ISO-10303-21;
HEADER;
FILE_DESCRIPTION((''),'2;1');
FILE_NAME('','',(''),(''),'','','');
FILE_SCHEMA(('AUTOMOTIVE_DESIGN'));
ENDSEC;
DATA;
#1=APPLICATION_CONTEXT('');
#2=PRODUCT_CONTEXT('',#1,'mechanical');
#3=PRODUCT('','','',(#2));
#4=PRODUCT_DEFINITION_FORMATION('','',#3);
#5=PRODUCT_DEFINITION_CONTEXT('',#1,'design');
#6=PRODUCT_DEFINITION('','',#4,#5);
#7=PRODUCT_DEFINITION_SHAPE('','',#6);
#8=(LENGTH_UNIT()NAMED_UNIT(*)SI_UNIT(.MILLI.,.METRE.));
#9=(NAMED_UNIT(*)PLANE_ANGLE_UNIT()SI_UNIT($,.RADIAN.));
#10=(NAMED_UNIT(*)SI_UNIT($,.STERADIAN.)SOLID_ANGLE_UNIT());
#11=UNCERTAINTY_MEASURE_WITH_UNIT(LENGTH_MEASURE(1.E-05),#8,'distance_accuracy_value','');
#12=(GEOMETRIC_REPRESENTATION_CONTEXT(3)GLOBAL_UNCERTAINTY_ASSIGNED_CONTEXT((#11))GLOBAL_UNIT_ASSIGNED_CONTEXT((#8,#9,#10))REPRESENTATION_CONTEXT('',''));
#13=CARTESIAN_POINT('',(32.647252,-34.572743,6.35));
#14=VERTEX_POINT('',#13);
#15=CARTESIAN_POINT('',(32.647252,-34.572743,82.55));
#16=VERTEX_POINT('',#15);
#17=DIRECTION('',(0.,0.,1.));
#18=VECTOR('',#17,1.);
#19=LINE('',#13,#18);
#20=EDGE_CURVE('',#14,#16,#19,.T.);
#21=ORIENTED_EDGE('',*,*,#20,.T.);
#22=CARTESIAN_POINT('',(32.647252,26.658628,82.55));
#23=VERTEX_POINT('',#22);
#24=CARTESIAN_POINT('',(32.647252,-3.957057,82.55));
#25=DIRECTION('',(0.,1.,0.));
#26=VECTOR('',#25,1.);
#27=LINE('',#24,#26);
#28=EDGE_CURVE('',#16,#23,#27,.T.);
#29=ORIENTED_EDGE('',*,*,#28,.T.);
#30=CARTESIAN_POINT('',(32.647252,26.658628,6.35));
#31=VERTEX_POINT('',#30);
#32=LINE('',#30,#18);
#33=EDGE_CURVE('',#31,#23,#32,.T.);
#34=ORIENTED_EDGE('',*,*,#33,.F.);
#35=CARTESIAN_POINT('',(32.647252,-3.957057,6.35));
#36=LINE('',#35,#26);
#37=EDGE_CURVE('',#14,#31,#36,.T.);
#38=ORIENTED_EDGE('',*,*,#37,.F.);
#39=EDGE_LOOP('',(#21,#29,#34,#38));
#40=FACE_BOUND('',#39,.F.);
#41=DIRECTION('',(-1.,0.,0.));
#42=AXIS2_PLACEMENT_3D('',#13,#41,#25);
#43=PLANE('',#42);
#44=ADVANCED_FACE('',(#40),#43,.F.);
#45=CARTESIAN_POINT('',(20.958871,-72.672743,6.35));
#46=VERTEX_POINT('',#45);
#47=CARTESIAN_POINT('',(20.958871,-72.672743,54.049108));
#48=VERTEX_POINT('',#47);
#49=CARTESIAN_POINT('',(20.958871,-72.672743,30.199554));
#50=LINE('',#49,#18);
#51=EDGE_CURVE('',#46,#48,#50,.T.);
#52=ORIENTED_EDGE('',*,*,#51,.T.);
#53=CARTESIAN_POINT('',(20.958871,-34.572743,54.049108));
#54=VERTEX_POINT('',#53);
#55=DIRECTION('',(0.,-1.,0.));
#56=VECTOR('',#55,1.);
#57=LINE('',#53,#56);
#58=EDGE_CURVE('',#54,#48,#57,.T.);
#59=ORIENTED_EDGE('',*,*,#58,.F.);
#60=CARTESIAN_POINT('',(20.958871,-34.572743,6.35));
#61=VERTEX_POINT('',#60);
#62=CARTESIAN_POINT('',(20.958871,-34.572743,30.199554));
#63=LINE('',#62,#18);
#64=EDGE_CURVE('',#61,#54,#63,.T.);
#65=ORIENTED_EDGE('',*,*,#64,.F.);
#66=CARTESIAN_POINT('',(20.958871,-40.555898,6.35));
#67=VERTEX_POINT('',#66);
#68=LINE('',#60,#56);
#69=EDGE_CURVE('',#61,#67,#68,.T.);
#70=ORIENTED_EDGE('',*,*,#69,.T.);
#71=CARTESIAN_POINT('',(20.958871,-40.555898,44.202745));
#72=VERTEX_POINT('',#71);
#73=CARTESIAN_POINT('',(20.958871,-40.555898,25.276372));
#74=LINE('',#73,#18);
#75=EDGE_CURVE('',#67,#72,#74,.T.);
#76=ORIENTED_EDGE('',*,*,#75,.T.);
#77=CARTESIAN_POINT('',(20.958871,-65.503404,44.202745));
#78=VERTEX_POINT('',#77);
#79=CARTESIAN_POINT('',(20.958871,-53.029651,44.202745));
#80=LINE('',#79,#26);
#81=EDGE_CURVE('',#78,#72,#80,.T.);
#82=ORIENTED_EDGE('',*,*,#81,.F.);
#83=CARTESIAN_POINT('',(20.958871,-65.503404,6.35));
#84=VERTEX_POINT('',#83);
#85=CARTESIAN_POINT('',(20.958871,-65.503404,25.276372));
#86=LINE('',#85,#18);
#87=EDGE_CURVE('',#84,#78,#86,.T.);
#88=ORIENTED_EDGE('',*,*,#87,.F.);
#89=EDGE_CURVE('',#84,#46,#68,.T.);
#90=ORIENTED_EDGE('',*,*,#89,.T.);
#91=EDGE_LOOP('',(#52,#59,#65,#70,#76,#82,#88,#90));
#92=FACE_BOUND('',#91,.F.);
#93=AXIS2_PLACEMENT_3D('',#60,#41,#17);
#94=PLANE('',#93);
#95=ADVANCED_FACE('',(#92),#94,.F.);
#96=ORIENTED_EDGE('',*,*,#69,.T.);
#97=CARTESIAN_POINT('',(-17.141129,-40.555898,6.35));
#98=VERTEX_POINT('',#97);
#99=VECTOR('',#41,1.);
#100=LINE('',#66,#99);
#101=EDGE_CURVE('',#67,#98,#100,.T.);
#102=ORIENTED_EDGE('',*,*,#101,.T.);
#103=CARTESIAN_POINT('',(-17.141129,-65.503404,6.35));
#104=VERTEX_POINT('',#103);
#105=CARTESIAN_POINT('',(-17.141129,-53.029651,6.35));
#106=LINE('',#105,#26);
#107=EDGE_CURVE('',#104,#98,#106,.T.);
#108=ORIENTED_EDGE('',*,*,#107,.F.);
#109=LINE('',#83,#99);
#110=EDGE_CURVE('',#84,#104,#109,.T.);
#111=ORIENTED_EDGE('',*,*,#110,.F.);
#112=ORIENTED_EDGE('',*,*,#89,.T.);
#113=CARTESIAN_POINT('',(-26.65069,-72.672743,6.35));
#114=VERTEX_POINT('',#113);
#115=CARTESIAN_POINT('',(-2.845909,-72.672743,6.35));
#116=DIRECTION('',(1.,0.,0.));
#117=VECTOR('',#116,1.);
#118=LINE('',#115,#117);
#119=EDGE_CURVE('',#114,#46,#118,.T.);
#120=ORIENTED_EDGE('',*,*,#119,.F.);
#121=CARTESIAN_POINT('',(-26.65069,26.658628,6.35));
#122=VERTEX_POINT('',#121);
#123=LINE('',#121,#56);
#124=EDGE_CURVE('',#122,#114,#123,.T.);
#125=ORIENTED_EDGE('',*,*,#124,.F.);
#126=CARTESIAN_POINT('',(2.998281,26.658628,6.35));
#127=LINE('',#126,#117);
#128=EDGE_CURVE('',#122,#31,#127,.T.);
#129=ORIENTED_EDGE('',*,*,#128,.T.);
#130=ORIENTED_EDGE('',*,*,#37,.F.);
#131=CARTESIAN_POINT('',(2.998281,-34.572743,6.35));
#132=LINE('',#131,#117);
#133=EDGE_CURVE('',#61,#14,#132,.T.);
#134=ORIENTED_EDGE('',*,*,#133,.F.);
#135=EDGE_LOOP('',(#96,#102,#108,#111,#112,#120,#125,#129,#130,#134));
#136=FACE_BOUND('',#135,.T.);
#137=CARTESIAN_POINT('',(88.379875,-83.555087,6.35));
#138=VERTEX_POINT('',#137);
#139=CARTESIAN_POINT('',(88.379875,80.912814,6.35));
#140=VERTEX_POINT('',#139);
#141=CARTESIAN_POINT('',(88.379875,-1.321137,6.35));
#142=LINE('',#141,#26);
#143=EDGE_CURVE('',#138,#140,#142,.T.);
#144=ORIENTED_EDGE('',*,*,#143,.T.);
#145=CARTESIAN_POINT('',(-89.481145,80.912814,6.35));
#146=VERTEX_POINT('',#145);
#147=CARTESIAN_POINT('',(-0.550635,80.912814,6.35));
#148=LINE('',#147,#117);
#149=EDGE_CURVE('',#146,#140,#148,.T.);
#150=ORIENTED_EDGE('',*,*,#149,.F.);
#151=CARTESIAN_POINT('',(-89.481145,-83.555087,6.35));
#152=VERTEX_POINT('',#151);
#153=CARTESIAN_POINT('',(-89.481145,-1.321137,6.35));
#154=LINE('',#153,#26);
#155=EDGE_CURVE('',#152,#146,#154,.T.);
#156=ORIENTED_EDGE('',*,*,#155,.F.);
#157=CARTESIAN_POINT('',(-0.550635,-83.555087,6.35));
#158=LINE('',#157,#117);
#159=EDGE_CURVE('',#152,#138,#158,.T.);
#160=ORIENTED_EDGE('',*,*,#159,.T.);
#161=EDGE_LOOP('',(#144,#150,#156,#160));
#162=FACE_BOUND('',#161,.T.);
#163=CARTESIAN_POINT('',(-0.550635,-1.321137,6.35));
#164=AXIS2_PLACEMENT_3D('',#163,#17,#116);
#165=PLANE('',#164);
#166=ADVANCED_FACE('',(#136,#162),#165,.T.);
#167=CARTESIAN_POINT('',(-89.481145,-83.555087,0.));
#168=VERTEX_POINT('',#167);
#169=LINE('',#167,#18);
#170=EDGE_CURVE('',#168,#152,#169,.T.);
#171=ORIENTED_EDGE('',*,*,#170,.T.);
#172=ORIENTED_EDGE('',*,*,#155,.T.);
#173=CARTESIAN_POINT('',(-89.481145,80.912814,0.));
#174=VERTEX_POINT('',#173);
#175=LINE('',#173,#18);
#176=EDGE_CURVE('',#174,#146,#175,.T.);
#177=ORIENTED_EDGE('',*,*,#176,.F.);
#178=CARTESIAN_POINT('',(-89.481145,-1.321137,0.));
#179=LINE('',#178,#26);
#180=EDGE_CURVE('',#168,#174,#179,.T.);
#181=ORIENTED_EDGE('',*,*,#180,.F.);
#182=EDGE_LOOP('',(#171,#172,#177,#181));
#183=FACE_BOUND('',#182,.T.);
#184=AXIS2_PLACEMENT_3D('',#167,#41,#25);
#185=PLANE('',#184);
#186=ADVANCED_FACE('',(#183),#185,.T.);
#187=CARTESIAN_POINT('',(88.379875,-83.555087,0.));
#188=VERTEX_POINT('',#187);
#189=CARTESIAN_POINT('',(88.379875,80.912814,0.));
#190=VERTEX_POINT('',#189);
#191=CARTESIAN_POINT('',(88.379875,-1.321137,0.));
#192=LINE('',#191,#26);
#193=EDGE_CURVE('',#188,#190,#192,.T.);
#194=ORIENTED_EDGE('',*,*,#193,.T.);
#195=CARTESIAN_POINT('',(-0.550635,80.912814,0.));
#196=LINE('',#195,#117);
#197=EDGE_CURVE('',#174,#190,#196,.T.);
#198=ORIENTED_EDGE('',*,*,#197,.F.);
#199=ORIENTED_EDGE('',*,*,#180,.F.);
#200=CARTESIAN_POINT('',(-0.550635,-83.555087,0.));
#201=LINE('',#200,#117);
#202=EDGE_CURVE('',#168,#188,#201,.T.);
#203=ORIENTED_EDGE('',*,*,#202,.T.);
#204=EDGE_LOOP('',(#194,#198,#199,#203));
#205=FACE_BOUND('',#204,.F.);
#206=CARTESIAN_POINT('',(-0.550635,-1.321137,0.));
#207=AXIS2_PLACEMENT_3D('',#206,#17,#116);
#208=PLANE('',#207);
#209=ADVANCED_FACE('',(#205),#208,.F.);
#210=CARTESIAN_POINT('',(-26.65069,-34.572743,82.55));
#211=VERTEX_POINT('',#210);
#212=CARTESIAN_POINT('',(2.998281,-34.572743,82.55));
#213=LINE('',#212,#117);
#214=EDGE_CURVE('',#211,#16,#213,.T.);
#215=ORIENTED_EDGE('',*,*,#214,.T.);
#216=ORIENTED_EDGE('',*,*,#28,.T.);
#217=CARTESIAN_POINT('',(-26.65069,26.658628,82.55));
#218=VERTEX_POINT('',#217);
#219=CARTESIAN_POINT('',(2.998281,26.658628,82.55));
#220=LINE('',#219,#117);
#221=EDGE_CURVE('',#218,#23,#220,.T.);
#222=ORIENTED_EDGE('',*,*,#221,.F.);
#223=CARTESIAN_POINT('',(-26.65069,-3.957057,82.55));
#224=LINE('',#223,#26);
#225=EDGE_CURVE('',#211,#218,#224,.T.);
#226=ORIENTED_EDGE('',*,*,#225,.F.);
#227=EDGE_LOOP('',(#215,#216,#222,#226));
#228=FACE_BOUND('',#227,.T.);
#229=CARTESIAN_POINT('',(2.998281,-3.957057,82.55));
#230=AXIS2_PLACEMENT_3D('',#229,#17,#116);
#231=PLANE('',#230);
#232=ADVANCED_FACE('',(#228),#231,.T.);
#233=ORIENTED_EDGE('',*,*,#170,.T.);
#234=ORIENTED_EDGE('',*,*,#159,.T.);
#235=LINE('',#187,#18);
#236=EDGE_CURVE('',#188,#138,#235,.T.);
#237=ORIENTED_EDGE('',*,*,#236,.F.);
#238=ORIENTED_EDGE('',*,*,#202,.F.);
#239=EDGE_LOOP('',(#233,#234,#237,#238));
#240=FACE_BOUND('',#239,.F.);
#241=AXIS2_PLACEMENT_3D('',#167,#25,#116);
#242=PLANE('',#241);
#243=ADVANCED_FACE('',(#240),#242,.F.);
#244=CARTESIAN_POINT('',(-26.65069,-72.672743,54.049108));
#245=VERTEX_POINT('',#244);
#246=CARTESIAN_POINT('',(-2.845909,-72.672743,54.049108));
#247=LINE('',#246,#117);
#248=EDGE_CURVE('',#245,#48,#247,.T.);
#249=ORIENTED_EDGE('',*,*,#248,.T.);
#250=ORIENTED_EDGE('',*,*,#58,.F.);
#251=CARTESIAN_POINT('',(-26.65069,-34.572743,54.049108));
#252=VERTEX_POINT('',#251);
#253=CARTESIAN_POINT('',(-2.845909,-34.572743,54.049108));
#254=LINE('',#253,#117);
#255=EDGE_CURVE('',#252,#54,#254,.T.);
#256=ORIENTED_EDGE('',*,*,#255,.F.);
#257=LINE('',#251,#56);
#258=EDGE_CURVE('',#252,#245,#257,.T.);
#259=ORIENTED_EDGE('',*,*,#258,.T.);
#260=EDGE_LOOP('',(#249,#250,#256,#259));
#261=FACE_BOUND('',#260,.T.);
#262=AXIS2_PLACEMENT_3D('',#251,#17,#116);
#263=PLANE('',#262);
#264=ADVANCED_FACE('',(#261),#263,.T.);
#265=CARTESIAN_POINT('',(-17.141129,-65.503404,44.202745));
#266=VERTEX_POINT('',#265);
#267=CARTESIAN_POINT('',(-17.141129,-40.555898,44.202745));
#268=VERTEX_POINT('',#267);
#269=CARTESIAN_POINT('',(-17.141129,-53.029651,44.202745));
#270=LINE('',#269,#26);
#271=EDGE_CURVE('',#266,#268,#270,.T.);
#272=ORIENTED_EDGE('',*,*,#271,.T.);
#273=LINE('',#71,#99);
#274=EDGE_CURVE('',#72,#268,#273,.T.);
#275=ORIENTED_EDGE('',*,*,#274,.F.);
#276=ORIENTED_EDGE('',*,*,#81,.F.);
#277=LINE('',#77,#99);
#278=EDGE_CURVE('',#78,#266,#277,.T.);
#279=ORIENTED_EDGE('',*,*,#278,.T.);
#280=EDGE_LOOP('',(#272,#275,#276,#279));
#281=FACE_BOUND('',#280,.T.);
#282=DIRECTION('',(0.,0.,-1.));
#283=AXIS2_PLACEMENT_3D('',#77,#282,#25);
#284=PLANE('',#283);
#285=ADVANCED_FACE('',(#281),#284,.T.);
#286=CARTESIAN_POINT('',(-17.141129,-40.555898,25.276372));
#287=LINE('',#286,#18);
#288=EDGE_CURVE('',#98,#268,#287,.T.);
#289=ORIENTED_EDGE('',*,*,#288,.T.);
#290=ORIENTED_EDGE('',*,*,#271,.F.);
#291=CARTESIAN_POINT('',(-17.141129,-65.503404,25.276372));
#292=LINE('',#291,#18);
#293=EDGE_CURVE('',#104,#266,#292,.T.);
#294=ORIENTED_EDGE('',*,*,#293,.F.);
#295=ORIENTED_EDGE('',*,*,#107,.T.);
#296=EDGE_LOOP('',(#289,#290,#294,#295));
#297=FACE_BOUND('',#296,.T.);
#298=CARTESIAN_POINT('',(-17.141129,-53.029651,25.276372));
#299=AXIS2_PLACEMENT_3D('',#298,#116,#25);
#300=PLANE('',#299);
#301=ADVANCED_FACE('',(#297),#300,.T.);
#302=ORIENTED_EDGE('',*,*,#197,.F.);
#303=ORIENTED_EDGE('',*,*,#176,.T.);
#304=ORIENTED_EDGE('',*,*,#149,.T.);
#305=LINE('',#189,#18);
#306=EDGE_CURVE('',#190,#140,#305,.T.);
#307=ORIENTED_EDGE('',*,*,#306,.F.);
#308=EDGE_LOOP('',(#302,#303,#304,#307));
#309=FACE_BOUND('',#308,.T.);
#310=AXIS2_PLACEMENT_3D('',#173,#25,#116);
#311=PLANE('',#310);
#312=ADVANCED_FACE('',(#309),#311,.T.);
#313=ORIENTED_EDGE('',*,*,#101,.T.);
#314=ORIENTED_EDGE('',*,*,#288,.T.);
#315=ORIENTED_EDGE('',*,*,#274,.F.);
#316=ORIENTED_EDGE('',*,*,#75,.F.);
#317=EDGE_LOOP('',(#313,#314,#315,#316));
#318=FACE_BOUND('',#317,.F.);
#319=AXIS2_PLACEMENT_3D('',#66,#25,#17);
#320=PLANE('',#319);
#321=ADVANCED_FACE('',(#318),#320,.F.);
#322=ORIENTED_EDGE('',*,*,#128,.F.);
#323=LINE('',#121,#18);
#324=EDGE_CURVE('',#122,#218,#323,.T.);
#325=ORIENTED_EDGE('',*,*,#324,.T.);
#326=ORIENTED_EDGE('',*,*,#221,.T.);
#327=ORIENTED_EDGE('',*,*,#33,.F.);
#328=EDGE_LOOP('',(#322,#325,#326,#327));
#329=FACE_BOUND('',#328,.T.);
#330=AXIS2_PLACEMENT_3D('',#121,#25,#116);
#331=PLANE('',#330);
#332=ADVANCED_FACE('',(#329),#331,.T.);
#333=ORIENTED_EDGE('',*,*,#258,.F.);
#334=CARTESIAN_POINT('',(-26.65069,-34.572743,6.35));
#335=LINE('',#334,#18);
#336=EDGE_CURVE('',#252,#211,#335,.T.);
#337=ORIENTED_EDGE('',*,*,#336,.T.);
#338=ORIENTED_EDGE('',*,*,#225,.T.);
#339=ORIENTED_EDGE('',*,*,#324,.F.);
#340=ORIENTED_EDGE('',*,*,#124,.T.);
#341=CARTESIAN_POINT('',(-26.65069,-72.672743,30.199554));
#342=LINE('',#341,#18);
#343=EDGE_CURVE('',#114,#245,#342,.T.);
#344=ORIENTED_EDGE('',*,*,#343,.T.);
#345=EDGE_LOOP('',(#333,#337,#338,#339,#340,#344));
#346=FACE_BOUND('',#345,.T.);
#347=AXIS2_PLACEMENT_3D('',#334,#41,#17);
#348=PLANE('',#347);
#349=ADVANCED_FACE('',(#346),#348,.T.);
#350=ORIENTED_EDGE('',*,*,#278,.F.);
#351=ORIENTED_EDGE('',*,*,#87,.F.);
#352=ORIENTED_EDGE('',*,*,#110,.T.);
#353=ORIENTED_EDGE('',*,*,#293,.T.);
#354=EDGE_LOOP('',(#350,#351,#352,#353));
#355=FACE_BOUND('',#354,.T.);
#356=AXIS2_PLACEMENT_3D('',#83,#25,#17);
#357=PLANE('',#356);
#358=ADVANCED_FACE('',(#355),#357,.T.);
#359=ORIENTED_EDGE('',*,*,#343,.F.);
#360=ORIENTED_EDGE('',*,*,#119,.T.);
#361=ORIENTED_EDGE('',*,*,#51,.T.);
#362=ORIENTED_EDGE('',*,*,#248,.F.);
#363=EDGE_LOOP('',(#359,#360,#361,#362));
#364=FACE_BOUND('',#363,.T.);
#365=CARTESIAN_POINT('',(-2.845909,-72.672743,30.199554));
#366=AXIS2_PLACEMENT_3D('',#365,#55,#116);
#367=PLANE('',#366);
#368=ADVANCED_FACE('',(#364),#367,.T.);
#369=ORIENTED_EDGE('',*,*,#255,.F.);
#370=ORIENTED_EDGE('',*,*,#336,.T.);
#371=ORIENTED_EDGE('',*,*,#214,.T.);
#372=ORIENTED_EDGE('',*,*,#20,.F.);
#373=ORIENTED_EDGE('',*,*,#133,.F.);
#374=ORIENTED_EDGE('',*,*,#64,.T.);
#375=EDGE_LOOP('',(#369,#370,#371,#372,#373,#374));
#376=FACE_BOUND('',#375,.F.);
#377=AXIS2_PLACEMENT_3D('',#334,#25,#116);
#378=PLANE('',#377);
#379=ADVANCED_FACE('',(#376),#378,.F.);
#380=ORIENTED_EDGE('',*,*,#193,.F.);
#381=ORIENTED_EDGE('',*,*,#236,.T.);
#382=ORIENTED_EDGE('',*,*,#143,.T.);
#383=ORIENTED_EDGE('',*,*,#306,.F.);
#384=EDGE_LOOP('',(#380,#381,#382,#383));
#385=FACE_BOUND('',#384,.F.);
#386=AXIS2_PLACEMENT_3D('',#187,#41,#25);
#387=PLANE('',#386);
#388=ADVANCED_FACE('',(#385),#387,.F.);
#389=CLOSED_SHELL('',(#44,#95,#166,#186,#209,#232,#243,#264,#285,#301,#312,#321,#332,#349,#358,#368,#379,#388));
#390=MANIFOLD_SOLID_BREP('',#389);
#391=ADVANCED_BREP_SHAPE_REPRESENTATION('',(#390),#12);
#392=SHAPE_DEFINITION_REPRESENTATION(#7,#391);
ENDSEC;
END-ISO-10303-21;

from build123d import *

# Parameters (mm, degrees)
F0_W     = 177.861019969
F0_H     = 164.4679009914
F1_DEPTH = 6.35
F2_W     = 59.2979416251
F2_H     = 61.2313710153
F3_DEPTH = 76.2
F4_W     = 47.6095601916
F4_H     = 47.6991081774
F5_DEPTH = 38.1
F6_W     = 24.9475054443
F6_H     = 37.8527449608
F7_DEPTH = 38.1


with BuildPart() as f1:
    # F0 (on Top) → F1 (new body)
    with BuildSketch(Plane.XY):
        with Locations((-0.550635159, -1.3211369514)):
            Rectangle(F0_W, F0_H)
    extrude(amount=F1_DEPTH)

    # F2 (on face) → F3 (join)
    with BuildSketch(Plane.XY.offset(6.35)):
        with Locations((2.9982812703, -3.9570573717)):
            Rectangle(F2_W, F2_H)
    extrude(amount=F3_DEPTH)

    # F4 (on face) → F5 (join)
    with BuildSketch(Plane.XZ.offset(34.5727428794)):
        with Locations((-2.8459094465, 30.1995540887)):
            Rectangle(F4_W, F4_H)
    extrude(amount=F5_DEPTH)

    # F6 (on face) → F7 (cut)
    with BuildSketch(Plane.YZ.offset(20.9588706493)):
        with Locations((-53.0296508223, 25.2763724804)):
            Rectangle(F6_W, F6_H)
    extrude(amount=-F7_DEPTH, mode=Mode.SUBTRACT)


solid = f1.part
